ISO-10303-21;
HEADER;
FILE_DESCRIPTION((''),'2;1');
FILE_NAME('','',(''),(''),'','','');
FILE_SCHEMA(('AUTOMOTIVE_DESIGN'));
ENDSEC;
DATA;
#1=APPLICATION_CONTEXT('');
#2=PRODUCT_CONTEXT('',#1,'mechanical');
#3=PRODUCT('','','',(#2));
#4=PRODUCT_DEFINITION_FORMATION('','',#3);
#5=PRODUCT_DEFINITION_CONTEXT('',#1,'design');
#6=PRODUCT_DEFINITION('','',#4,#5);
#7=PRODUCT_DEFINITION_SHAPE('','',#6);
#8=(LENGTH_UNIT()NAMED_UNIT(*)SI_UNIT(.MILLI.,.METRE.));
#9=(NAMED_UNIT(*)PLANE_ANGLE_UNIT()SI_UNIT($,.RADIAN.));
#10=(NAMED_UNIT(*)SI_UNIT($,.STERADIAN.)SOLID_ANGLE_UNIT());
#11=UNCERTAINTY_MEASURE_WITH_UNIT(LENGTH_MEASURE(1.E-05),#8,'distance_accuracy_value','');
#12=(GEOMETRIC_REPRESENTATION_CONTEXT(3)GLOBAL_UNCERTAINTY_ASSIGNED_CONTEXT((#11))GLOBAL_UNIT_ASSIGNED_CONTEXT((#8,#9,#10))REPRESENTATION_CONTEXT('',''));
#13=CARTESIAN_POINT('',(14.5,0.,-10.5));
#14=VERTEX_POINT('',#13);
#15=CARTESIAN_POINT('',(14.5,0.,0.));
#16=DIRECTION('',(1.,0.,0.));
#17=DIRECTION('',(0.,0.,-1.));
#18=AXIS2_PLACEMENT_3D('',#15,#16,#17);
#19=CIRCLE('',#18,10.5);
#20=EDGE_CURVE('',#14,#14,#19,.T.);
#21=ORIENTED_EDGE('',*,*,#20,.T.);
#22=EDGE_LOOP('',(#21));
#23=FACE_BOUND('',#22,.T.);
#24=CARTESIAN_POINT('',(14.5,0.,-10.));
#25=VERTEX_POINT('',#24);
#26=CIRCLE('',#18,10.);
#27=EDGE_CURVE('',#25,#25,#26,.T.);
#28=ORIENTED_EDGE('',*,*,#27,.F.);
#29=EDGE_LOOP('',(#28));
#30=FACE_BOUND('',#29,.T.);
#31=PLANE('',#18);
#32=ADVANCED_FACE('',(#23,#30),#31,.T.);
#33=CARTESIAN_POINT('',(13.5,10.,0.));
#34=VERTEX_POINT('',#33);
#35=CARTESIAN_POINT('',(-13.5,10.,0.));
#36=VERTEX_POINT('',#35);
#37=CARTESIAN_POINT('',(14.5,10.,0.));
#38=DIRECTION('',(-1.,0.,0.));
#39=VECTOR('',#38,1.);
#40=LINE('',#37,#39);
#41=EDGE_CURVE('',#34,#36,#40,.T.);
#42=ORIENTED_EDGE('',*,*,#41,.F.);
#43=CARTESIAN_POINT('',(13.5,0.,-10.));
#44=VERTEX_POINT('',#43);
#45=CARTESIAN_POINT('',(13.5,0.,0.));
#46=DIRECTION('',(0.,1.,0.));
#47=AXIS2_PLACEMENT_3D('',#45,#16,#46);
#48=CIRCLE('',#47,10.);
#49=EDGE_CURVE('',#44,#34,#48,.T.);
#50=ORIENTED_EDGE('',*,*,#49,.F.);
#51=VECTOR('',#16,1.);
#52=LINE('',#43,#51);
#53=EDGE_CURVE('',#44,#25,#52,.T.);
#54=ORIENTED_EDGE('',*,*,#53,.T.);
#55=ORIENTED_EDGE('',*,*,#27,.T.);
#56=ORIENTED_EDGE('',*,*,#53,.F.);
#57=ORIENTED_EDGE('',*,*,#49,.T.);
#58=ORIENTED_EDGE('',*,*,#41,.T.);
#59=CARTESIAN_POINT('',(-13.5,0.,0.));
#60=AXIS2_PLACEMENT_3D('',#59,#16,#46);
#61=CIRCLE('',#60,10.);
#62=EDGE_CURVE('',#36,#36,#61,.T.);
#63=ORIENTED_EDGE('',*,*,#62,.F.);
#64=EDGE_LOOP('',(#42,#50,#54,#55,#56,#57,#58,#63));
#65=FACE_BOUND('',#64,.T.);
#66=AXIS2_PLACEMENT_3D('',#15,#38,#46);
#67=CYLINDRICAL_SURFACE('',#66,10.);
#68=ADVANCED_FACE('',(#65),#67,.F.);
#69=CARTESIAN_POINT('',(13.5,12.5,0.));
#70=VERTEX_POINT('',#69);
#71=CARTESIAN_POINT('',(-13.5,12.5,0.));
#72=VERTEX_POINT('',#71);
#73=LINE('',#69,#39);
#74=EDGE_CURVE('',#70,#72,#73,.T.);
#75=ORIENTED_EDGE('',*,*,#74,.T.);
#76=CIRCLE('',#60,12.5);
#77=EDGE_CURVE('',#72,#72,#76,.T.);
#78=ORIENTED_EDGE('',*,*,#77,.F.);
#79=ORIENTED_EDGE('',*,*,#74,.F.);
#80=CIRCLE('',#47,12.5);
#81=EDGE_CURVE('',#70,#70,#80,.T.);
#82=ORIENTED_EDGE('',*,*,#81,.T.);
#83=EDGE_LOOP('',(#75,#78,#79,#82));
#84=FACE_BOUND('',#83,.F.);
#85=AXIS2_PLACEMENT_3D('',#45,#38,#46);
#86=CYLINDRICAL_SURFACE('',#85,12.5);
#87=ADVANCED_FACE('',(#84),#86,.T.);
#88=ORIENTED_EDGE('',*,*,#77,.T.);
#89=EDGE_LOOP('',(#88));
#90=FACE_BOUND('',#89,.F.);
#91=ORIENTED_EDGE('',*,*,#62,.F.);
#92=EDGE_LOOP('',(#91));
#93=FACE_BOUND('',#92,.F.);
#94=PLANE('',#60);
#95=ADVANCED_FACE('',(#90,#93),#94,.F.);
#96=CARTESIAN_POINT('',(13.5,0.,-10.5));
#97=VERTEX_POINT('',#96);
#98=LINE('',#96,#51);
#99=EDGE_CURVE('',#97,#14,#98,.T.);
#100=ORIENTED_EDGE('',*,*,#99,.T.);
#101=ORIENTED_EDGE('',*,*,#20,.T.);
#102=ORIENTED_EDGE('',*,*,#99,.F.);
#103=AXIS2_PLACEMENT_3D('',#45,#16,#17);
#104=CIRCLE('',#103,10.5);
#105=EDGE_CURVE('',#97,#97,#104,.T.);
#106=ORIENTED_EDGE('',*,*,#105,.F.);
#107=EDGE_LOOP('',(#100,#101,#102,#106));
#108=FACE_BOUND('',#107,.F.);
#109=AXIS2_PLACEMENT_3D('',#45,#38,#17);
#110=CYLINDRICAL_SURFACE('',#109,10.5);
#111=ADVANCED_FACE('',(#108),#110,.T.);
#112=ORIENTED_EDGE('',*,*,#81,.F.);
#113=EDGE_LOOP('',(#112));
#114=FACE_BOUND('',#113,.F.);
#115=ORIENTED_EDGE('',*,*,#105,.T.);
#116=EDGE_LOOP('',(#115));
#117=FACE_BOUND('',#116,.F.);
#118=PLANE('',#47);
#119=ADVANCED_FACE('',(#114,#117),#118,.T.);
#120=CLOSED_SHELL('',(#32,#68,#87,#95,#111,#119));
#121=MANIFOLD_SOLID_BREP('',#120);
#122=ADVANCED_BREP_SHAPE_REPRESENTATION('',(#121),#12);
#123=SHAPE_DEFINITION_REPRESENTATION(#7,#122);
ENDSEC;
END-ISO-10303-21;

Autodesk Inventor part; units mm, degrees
ref_plane "YZ Plane" through (0, 0, 0) normal (1, 0, 0) x (0, 1, 0)
ref_plane "XZ Plane" through (0, 0, 0) normal (0, 1, 0) x (-1, 0, 0)
ref_plane "XY Plane" through (0, 0, 0) normal (0, 0, 1) x (1, 0, 0)
sketch "스케치1" plane through (0, 0, 0) normal (0, 0, 1) x (1, 0, 0)
  line L0 (-16.8252, 0) -> (22.3466, 0)
  line L1 (-13.5, 0) -> (14.5, 0)
  line L2 (14.5, 0) -> (14.5, 10)
  line L3 (14.5, 10) -> (-13.5, 10)
  line L4 (-13.5, 10) -> (-13.5, 0)
  line L5 (-13.5, 0) -> (13.5, 0)
  line L6 (13.5, 0) -> (13.5, 12.5)
  line L7 (13.5, 12.5) -> (-13.5, 12.5)
  line L8 (-13.5, 12.5) -> (-13.5, 0)
  point P0 (0, 0)
  point P1 (13.5, 10)
  dimension "d0" = 20
  dimension "d1" = 25
  dimension "d2" = 27
  dimension "d3" = 28
  dimension "d4" = 13.5
  dimension "d5" = 13.5
revolve "회전1" add sketch "스케치1" angle 360 about axis through (-16.8252, 0, 0) along (1, 0, 0) contours L8 L7 L6 L3
sketch "스케치2" plane through (13.5, 0, 0) normal (1, 0, 0) x (0, 0, -1)
  circle A0 centre (0, 0) radius 10.5
  circle A1 centre (0, 0) radius 10
  dimension "d7" = 21
  dimension "d8" = 20
extrude "돌출1" add sketch "스케치2" along normal blind 1
properties part number "3"
